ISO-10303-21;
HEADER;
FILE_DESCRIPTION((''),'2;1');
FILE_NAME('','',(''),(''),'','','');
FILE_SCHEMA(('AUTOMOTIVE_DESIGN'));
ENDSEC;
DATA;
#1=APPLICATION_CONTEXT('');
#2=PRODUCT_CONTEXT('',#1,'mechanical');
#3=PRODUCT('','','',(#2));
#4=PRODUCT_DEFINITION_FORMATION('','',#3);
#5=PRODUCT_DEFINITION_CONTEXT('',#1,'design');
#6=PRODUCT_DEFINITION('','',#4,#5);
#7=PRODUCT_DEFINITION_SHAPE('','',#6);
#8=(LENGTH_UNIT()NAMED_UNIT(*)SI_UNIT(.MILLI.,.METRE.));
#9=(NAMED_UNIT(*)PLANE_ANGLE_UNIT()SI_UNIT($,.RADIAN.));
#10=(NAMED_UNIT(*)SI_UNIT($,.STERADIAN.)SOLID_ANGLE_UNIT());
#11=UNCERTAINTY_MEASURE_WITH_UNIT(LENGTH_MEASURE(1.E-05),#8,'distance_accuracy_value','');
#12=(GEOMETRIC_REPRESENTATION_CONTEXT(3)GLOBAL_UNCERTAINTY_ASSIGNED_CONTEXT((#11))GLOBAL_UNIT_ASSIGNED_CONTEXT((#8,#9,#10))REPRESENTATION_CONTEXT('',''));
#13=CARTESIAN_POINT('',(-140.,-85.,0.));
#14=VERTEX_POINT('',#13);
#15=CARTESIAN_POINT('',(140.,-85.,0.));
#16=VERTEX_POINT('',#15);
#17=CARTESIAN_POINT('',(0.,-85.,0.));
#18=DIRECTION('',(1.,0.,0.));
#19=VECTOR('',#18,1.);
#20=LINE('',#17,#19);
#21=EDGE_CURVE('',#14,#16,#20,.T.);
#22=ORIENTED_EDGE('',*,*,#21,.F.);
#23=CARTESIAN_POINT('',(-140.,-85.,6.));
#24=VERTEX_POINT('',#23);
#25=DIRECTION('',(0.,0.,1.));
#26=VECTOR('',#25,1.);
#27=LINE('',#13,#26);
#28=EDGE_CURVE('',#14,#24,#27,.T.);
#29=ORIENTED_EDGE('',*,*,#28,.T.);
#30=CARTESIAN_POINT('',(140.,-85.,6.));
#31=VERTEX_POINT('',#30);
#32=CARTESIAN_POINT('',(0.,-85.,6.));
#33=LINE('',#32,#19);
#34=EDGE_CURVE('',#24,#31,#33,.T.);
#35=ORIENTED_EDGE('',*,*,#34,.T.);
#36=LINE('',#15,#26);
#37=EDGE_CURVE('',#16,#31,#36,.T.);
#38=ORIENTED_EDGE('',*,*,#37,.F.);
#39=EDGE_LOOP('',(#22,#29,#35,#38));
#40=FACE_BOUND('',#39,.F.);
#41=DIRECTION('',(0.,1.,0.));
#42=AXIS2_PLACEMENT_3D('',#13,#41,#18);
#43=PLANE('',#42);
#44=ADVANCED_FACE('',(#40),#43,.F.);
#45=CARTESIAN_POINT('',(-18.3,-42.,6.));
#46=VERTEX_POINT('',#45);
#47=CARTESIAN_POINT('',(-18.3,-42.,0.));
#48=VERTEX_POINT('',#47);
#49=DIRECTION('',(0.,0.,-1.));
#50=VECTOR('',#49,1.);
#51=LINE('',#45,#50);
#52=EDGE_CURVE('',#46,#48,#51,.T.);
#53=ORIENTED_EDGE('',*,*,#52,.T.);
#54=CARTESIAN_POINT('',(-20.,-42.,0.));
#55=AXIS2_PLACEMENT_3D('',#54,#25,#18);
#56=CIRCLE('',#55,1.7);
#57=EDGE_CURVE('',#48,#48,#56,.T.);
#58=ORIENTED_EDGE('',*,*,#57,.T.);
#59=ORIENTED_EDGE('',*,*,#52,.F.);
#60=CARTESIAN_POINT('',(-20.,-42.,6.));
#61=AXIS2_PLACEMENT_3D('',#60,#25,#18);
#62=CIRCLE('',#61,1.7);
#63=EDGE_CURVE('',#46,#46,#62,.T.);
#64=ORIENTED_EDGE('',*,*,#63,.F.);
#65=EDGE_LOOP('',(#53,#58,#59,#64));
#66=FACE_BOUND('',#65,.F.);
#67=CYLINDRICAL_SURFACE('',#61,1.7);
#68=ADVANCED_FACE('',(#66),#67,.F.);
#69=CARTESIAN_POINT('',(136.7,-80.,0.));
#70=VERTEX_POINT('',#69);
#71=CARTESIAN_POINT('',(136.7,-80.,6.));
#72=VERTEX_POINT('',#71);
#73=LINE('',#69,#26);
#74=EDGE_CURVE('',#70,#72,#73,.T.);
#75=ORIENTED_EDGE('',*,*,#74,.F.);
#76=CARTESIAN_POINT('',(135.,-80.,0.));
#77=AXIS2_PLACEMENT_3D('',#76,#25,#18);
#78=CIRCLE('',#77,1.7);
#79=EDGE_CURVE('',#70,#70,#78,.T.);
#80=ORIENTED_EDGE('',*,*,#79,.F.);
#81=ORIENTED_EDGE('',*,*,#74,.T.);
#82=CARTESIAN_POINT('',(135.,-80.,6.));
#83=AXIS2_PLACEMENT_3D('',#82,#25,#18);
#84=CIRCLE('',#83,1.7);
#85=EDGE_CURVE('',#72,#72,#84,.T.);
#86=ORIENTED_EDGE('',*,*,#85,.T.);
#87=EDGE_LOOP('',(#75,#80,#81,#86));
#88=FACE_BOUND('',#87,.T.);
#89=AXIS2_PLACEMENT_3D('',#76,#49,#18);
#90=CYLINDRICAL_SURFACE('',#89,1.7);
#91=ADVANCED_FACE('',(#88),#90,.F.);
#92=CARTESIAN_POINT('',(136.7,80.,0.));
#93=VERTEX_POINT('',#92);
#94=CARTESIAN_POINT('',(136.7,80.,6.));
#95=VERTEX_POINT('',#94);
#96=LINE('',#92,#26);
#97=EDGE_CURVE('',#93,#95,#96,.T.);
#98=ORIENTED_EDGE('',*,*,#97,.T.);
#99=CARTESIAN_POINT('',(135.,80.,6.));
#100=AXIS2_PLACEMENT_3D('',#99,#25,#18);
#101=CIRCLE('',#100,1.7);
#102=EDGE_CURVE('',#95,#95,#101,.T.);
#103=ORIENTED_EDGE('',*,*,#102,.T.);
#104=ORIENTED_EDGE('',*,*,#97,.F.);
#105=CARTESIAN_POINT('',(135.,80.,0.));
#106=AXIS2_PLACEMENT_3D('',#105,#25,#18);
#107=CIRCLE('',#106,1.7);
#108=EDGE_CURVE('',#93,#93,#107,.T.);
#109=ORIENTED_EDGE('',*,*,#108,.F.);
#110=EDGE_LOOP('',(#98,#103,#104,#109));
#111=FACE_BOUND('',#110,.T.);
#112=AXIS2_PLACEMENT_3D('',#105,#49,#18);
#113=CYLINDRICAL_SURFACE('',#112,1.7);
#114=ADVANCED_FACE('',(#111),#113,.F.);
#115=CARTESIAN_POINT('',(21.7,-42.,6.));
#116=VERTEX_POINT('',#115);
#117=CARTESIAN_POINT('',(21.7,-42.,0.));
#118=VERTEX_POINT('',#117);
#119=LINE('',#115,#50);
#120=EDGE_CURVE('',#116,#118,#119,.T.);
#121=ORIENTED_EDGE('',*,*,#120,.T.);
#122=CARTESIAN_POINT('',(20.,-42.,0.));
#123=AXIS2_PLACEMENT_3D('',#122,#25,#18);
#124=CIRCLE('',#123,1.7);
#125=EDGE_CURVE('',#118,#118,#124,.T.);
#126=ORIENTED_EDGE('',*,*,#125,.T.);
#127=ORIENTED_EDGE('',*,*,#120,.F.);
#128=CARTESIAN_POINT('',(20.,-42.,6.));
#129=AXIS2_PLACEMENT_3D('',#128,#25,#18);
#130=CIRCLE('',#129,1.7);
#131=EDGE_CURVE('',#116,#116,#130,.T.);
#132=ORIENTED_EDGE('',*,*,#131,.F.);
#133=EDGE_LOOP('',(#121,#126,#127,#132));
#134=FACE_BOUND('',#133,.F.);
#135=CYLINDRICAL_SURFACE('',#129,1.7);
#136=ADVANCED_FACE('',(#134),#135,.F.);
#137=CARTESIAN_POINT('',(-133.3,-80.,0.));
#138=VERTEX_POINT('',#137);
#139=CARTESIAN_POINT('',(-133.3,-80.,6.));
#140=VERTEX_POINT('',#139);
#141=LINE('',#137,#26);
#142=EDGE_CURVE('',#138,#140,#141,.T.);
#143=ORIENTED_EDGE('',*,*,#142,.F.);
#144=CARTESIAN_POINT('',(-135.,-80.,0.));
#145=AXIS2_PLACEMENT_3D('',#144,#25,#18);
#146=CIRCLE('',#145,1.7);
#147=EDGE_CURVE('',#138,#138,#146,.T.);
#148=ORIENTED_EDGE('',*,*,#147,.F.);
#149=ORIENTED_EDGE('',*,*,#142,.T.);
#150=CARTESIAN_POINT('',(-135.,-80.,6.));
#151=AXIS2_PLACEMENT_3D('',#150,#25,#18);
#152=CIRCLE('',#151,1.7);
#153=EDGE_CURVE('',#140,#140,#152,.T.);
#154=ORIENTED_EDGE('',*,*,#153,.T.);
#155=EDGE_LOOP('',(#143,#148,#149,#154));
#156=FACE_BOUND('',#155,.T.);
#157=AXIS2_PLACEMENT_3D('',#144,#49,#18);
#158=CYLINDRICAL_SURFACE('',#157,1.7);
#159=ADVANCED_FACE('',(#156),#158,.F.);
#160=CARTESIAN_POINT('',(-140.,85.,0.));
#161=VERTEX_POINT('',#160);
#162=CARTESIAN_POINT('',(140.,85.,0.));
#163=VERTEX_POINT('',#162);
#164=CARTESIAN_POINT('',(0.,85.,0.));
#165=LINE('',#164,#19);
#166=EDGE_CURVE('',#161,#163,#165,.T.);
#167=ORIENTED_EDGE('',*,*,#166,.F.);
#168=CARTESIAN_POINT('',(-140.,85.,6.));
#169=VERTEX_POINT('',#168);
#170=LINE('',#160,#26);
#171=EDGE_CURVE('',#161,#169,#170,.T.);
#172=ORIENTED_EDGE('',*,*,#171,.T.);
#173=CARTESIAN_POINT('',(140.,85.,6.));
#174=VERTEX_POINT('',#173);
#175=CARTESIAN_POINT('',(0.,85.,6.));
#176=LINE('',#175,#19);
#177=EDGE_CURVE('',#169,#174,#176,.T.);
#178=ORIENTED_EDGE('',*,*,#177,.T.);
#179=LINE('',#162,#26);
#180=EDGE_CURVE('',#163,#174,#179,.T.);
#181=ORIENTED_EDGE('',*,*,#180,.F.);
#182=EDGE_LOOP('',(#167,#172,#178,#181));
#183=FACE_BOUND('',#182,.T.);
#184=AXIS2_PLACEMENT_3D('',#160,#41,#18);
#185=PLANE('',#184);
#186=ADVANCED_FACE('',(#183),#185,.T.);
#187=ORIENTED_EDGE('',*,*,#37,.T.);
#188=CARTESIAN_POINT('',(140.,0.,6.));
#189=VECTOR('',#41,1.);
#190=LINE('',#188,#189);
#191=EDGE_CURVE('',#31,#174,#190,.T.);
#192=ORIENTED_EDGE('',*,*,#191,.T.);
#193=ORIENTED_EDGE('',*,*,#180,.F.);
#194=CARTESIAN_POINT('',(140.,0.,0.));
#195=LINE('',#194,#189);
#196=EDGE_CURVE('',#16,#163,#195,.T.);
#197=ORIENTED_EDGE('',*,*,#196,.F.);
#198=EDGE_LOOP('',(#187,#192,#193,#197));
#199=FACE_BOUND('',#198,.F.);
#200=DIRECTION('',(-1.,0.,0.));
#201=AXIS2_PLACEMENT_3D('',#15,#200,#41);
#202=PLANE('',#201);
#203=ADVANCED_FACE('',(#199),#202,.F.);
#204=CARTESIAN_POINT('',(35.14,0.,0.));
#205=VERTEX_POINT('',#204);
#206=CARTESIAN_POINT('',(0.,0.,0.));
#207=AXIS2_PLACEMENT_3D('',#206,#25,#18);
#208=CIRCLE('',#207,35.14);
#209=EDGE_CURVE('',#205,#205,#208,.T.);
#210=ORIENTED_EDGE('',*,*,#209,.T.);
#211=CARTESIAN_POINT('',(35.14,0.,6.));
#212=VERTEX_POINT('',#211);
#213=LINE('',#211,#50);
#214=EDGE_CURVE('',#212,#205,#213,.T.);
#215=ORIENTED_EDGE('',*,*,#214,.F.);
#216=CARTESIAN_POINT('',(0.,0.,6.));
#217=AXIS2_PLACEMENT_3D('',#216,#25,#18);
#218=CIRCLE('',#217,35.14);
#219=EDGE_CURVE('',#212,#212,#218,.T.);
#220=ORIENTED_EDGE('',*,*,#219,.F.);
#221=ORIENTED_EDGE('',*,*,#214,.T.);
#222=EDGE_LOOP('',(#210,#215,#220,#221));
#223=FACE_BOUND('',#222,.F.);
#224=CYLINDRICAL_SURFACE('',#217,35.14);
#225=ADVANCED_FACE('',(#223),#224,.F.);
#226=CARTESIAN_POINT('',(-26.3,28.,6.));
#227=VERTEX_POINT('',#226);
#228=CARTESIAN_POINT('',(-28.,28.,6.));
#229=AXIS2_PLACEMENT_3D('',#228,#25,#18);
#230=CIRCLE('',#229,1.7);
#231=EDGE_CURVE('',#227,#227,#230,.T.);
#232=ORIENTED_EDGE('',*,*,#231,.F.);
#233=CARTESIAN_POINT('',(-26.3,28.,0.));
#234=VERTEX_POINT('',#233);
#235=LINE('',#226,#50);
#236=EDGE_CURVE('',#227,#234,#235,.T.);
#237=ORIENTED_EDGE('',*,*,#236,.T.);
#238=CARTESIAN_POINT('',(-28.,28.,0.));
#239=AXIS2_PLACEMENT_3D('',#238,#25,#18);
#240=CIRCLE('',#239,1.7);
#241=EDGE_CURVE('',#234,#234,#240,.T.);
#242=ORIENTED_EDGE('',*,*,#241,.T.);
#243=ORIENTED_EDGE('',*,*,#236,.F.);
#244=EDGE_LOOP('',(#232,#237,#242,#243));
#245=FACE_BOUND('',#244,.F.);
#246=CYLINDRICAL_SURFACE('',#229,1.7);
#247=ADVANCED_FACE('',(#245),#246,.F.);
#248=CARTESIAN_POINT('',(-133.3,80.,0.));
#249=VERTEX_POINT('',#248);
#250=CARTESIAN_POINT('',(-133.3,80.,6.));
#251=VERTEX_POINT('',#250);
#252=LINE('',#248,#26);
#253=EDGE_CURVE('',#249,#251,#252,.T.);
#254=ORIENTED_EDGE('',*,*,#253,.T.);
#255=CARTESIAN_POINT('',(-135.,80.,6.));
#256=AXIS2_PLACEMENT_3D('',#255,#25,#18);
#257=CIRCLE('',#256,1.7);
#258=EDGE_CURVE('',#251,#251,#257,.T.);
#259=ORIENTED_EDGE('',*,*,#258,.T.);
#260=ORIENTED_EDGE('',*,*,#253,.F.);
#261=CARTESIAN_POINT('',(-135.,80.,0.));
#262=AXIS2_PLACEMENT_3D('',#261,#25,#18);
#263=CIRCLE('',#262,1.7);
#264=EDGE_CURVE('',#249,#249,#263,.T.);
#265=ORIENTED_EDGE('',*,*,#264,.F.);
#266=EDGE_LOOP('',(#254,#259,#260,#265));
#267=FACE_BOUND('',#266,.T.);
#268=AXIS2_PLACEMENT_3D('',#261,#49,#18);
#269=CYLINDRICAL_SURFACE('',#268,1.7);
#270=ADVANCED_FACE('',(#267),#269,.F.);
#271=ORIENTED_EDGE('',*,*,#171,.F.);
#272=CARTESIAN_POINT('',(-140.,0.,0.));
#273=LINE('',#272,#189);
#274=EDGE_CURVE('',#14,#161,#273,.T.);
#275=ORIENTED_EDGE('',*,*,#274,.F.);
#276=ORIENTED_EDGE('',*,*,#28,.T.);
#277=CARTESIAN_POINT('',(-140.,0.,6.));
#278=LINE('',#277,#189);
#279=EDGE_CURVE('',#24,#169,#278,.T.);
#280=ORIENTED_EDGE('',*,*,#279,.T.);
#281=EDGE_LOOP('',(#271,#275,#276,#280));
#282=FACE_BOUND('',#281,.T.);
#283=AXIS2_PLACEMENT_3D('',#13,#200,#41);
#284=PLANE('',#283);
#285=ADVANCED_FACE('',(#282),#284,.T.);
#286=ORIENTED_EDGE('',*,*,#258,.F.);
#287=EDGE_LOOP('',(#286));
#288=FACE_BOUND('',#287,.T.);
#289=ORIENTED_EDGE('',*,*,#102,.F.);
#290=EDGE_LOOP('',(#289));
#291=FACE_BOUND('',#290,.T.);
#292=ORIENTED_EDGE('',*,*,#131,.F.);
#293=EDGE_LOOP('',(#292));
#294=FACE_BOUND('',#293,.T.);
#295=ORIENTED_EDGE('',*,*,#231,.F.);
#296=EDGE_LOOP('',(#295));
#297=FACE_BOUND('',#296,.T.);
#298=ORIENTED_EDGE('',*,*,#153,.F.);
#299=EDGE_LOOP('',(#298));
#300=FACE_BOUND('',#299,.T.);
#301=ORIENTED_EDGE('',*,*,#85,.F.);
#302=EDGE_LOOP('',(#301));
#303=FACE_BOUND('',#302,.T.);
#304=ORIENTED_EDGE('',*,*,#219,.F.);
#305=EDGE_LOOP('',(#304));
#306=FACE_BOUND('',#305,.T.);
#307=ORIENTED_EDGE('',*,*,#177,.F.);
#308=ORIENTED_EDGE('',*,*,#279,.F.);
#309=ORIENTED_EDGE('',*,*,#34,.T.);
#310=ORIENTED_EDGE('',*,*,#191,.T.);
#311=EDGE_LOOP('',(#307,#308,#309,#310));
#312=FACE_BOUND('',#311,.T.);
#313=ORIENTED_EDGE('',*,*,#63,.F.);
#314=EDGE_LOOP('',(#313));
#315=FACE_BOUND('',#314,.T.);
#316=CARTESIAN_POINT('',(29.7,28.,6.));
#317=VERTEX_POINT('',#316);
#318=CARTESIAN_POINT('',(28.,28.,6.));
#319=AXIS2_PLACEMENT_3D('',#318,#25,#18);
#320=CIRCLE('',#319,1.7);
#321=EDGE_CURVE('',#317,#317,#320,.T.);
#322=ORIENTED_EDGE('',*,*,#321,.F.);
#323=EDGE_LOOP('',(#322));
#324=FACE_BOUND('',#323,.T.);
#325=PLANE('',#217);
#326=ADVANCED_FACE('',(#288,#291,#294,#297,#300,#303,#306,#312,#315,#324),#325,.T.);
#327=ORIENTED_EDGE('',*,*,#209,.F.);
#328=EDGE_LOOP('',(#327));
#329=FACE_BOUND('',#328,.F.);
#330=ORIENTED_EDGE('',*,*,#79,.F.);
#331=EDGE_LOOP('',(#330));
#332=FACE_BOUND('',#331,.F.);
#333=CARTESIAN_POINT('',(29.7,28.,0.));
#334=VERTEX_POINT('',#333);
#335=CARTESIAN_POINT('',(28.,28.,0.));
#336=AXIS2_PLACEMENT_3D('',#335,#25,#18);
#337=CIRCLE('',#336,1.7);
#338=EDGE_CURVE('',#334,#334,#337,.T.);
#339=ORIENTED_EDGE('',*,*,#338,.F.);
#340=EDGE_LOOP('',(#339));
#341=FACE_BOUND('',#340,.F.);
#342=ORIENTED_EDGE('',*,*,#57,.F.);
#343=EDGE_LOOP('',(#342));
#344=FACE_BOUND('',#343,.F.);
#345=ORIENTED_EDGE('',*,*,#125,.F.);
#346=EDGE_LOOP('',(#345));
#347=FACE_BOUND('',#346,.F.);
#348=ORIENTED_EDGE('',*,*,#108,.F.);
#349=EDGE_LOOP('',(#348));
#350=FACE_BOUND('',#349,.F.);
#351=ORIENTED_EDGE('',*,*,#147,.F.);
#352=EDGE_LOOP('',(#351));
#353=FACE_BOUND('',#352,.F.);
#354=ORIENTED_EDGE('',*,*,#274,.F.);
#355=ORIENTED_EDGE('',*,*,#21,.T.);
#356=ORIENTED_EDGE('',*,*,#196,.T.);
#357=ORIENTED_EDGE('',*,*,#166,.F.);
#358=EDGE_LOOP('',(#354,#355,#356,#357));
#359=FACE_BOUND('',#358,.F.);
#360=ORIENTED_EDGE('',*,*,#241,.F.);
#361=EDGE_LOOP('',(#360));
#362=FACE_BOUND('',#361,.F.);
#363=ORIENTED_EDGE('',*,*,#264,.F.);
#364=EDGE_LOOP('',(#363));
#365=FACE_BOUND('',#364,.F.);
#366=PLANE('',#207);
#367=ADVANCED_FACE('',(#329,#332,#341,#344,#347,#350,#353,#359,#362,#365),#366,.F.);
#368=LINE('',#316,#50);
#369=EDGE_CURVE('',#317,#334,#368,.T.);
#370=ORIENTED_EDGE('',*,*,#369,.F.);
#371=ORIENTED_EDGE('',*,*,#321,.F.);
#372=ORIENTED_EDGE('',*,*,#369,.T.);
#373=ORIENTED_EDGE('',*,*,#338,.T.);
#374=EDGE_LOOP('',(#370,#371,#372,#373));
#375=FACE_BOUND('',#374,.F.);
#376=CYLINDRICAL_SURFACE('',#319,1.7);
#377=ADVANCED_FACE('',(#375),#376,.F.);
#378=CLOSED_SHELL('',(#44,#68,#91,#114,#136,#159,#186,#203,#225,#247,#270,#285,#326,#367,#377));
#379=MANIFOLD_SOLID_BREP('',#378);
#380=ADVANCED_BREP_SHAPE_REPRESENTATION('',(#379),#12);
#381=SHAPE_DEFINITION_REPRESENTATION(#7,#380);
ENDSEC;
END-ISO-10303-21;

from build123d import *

# Parameters (mm, degrees)
SKETCH_W      = 280
SKETCH_H      = 170
SKETCH_R      = 1.7
PAD_DEPTH     = 6
SKETCH002_R   = 35.14
SKETCH002_R_2 = 1.7
POCKET_DEPTH  = 6.001


with BuildPart() as part:
    # Sketch → Pad (new body)
    with BuildSketch(Plane.XY):
        Rectangle(SKETCH_W, SKETCH_H)
        with Locations((-135, 80)):
            Circle(SKETCH_R, mode=Mode.SUBTRACT)
        with Locations((-135, -80)):
            Circle(SKETCH_R, mode=Mode.SUBTRACT)
        with Locations((135, 80)):
            Circle(SKETCH_R, mode=Mode.SUBTRACT)
        with Locations((135, -80)):
            Circle(SKETCH_R, mode=Mode.SUBTRACT)
    extrude(amount=PAD_DEPTH)

    # Sketch002 (on Face10 of Pad) → Pocket (cut, through all)
    with BuildSketch(Plane.XY.offset(6)):
        Circle(SKETCH002_R)
        with Locations((-28, 28)):
            Circle(SKETCH002_R_2)
        with Locations((28, 28)):
            Circle(SKETCH002_R_2)
        with Locations((-20, -42)):
            Circle(SKETCH002_R_2)
        with Locations((20, -42)):
            Circle(SKETCH002_R_2)
    extrude(amount=-POCKET_DEPTH, mode=Mode.SUBTRACT)


solid = part.part
